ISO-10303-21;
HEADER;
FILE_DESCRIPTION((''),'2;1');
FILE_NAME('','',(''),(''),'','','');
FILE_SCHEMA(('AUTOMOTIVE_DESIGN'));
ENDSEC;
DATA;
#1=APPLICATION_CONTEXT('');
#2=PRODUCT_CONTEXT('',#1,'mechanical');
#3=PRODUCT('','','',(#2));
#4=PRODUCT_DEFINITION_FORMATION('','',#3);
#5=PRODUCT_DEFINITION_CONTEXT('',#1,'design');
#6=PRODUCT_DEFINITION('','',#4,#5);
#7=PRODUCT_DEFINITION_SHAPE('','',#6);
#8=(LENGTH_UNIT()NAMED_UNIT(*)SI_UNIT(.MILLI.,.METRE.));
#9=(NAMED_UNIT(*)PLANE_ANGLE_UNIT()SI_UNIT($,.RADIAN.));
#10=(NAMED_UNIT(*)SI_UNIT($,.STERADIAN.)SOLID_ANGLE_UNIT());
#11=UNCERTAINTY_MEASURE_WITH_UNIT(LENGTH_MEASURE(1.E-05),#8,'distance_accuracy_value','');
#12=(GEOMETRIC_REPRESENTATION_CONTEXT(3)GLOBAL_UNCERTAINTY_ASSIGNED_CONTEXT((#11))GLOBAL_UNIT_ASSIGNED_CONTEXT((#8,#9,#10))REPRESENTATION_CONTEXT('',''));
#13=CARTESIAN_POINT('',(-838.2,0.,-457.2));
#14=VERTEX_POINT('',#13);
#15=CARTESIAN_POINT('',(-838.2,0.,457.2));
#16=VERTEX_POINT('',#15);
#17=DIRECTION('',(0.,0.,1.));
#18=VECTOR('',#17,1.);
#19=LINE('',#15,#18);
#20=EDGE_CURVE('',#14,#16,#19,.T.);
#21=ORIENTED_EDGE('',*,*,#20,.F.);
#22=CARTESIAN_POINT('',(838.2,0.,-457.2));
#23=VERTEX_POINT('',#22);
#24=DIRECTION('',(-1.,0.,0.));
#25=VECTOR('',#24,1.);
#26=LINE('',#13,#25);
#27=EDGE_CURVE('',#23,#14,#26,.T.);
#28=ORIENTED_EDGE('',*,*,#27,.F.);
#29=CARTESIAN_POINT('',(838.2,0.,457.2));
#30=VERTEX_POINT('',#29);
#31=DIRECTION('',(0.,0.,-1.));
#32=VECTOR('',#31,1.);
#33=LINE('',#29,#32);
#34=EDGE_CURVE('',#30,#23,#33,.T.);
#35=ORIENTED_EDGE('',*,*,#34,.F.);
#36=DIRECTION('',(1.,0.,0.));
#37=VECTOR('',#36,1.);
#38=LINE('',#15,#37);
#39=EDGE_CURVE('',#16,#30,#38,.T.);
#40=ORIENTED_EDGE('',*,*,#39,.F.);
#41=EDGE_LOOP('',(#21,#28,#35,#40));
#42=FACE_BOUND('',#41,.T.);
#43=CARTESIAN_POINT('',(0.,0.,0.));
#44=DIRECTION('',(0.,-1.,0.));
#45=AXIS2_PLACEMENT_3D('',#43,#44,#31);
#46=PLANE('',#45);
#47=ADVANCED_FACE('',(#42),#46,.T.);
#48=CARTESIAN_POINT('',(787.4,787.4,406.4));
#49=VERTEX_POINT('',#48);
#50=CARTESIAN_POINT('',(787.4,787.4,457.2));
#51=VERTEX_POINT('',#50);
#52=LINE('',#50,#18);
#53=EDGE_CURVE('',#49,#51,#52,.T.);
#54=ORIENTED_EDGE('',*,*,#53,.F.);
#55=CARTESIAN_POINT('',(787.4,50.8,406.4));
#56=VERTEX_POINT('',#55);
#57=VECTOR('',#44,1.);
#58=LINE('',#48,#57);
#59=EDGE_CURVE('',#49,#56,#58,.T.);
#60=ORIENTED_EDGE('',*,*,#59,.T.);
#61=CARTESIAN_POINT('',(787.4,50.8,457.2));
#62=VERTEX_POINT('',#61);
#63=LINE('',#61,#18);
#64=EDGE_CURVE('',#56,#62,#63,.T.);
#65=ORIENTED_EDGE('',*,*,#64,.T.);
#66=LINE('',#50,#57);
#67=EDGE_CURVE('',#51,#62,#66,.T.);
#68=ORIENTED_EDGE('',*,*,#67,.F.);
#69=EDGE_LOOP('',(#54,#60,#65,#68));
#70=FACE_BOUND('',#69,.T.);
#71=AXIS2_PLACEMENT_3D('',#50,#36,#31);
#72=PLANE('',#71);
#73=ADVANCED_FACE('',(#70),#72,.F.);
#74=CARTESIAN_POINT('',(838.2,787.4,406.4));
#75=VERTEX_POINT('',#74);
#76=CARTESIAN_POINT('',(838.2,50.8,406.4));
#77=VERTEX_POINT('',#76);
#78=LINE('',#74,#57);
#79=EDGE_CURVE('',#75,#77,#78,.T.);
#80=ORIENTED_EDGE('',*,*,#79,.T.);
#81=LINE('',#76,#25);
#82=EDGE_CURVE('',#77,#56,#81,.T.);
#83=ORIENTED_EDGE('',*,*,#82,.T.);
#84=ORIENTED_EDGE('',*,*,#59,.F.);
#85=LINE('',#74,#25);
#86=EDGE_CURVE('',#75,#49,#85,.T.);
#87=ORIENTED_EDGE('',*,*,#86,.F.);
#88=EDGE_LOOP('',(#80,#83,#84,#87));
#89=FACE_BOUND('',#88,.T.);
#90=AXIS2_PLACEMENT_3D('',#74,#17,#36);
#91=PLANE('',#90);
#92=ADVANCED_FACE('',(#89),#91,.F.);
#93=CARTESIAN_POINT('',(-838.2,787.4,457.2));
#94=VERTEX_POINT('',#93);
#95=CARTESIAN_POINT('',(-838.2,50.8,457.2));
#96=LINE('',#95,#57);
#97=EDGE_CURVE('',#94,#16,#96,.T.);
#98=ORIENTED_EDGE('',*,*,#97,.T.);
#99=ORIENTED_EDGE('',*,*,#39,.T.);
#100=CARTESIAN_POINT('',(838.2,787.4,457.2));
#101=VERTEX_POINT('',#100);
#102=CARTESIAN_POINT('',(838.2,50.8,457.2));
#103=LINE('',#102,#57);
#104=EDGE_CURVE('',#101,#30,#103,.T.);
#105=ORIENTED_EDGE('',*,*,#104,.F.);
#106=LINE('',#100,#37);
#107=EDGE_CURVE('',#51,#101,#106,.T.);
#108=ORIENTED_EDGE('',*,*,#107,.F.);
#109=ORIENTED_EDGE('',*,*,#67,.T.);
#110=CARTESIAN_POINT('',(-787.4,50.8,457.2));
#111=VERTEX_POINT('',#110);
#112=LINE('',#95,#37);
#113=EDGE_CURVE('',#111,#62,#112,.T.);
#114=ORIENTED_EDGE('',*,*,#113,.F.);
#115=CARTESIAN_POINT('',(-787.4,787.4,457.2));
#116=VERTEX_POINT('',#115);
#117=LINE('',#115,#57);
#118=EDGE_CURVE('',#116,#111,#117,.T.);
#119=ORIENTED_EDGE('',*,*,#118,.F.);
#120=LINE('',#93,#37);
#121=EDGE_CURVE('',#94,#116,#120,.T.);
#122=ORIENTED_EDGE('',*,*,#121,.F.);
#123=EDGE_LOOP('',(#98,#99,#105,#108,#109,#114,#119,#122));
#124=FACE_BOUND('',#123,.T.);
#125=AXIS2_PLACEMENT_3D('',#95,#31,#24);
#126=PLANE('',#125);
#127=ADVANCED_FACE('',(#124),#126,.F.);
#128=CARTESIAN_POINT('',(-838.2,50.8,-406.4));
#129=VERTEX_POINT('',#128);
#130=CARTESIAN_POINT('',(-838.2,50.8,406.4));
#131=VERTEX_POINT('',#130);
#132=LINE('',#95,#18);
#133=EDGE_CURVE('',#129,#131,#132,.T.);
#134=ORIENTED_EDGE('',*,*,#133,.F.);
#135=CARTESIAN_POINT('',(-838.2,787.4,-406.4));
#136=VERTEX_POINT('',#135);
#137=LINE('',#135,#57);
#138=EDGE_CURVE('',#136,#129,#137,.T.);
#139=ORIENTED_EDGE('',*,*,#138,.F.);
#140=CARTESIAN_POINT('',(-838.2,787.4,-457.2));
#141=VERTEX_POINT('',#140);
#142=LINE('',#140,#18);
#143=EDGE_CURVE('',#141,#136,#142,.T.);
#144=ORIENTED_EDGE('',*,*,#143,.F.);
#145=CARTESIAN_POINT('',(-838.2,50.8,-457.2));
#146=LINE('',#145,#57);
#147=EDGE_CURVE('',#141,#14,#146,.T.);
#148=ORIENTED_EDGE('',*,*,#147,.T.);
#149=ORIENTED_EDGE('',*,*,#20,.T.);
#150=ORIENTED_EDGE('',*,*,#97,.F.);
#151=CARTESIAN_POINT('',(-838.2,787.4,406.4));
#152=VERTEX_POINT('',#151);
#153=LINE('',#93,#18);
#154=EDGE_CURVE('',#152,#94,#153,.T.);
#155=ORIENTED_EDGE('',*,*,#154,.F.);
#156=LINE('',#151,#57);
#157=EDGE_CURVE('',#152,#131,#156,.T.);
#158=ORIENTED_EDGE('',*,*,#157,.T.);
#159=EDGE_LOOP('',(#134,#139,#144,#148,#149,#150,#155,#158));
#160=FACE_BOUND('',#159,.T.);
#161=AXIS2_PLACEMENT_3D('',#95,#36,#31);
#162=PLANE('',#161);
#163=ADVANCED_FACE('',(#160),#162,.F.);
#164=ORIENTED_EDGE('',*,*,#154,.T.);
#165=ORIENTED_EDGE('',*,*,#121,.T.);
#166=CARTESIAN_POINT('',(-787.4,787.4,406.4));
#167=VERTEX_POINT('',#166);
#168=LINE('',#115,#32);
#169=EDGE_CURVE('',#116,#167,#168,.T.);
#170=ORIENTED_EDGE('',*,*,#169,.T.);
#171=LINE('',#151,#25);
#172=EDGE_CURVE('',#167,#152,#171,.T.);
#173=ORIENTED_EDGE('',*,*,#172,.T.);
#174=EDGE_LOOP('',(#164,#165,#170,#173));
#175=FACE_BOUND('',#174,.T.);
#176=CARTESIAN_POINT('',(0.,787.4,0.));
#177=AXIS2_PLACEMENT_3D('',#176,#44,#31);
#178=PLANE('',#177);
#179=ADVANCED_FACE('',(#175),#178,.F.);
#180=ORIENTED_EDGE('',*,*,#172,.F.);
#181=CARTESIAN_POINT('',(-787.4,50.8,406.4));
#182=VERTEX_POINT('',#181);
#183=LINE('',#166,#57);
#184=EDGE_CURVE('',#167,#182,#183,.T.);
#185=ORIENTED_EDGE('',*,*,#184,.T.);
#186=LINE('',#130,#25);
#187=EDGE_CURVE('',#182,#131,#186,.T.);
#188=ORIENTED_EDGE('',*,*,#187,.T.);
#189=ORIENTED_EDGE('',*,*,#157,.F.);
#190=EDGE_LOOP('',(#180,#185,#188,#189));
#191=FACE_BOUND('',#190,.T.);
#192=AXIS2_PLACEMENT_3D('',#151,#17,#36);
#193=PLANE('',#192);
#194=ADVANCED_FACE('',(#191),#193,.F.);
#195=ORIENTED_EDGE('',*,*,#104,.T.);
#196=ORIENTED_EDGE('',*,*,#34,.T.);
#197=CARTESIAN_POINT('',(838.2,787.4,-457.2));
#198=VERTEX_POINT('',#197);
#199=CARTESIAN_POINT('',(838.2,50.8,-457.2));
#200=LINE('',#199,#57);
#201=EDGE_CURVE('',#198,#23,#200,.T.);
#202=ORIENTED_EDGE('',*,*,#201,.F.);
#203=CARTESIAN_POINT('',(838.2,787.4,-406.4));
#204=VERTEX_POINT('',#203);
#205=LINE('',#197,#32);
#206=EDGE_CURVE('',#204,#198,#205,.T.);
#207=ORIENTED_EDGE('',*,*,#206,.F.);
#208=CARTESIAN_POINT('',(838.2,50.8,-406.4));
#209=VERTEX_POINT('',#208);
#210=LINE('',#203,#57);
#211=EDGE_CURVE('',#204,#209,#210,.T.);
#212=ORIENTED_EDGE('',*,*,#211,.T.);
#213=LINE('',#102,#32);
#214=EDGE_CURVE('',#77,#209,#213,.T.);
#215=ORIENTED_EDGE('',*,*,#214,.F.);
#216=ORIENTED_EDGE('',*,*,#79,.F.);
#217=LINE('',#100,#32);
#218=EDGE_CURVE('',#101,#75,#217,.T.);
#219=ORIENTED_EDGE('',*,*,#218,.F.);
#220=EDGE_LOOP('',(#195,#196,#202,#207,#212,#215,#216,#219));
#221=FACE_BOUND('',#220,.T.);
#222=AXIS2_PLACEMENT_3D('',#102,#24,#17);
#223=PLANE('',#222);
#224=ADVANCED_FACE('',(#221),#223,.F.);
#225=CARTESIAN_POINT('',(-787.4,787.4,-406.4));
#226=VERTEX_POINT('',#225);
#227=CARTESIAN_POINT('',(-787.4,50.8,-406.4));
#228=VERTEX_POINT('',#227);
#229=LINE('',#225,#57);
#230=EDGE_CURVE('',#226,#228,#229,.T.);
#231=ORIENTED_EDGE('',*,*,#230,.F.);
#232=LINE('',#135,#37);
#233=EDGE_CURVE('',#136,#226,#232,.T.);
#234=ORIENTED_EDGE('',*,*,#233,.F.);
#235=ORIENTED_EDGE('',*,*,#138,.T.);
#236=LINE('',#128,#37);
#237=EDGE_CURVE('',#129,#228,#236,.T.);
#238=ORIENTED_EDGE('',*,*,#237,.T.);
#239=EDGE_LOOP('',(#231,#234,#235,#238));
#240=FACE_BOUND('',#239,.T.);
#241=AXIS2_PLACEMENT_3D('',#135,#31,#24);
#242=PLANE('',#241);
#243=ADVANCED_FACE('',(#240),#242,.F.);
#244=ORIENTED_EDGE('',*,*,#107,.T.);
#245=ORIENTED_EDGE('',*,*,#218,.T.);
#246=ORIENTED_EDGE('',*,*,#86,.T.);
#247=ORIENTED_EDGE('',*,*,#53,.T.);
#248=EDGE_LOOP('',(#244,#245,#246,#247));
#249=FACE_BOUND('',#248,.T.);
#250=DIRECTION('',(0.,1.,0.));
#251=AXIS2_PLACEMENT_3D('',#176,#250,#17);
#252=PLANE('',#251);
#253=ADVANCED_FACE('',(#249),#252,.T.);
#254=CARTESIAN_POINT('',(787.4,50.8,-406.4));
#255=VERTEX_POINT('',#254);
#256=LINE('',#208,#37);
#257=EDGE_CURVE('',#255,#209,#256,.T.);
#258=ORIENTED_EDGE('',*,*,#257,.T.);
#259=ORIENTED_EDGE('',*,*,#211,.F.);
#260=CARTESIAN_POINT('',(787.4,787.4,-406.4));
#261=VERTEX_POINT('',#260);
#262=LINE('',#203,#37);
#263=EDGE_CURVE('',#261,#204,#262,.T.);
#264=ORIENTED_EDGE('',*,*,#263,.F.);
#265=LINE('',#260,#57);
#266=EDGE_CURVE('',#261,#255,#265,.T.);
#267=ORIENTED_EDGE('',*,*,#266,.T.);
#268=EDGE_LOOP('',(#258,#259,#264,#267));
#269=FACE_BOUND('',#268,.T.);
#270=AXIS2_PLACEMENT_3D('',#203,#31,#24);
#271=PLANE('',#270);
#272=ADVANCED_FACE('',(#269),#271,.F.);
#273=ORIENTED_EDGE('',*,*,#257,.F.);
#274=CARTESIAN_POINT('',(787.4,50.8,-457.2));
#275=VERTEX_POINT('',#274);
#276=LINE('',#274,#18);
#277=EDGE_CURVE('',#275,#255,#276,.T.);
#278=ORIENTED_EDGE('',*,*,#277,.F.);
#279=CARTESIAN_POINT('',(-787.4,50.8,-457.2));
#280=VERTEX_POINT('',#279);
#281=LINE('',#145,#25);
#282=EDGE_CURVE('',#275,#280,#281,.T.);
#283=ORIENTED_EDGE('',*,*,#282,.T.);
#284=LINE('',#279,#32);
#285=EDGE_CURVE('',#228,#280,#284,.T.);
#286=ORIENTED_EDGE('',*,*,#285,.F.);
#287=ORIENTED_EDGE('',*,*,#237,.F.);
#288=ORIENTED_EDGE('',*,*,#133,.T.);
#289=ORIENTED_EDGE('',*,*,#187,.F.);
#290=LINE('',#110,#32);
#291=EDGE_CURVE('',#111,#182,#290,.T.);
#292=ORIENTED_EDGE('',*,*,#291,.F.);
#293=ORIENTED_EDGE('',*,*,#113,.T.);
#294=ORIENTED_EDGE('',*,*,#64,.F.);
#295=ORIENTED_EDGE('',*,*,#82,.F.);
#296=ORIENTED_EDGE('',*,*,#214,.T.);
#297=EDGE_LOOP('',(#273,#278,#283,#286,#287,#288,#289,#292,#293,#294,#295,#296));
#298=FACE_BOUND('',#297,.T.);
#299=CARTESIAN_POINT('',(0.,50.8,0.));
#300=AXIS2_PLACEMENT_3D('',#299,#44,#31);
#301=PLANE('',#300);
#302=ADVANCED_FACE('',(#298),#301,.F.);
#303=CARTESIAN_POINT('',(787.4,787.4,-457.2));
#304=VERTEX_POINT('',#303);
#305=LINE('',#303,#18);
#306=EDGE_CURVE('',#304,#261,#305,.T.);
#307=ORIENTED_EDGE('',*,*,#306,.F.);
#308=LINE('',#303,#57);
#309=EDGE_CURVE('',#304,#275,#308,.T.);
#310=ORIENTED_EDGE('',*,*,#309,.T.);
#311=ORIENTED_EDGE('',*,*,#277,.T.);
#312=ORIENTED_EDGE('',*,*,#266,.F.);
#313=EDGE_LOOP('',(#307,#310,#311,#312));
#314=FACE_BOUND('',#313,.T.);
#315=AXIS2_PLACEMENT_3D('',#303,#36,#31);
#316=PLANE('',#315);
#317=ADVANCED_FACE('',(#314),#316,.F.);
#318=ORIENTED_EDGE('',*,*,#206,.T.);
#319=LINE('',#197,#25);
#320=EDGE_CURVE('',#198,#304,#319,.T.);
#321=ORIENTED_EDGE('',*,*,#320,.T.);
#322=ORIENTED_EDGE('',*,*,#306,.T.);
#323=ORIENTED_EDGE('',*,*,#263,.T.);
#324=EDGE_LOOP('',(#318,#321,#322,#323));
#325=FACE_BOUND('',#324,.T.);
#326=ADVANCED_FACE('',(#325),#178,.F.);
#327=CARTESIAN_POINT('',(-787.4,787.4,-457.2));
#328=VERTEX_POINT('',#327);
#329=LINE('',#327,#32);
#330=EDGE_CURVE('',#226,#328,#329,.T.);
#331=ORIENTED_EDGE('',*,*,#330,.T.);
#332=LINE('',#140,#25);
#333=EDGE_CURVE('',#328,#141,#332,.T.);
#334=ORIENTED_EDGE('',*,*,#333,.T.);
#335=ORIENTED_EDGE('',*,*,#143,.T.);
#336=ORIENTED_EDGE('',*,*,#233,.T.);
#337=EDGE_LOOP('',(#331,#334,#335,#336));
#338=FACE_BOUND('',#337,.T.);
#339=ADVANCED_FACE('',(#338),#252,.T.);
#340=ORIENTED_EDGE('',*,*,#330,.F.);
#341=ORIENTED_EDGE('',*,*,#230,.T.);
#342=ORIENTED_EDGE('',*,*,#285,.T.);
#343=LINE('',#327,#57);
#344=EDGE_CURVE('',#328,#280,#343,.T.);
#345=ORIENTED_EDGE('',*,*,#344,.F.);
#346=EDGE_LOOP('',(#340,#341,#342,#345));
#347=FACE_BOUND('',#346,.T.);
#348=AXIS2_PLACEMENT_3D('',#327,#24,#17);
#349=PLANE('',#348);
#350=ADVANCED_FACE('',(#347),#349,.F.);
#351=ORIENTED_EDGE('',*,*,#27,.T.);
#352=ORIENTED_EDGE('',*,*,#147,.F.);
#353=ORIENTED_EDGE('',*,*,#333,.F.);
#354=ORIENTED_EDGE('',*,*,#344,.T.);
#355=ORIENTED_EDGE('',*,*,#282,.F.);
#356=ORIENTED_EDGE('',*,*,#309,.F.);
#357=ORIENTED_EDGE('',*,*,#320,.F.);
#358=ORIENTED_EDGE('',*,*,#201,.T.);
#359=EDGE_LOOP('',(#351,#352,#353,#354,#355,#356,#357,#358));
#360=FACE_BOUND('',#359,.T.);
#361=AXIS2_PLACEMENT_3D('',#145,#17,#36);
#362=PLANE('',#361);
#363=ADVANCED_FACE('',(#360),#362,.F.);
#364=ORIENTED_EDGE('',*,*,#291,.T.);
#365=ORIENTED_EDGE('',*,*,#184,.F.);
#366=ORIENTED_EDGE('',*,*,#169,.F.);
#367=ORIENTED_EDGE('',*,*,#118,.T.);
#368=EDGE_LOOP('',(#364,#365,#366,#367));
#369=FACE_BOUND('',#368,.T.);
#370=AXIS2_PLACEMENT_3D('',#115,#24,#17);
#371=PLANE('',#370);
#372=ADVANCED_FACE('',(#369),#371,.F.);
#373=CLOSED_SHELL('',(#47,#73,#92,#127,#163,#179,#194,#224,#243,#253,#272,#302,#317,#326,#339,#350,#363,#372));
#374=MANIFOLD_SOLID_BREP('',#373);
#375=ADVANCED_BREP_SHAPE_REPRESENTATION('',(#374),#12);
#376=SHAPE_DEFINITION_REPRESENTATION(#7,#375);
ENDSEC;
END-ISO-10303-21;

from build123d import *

# Parameters (mm, degrees)
SKETCH1_W           = 1676.4
SKETCH1_H           = 914.4
BOSS_EXTRUDE1_DEPTH = 50.8
SKETCH2_W           = 50.8
SKETCH2_H           = 50.8
BOSS_EXTRUDE2_DEPTH = 736.6


with BuildPart() as part:
    # Sketch1 → Boss-Extrude1 (new body)
    with BuildSketch(Plane(origin=(0, 0, 0), x_dir=(1, 0, 0), z_dir=(0, 1, 0))):
        Rectangle(SKETCH1_W, SKETCH1_H)
    extrude(amount=BOSS_EXTRUDE1_DEPTH)

    # Sketch2 → Boss-Extrude2 (add)
    with BuildSketch(Plane(origin=(0, 50.8, 0), x_dir=(1, 0, 0), z_dir=(0, 1, 0))):
        with Locations((-812.8, 431.8)):
            Rectangle(SKETCH2_W, SKETCH2_H)
        with Locations((812.8, 431.8)):
            Rectangle(SKETCH2_W, SKETCH2_H)
        with Locations((812.8, -431.8)):
            Rectangle(SKETCH2_W, SKETCH2_H)
        with Locations((-812.8, -431.8)):
            Rectangle(SKETCH2_W, SKETCH2_H)
    extrude(amount=BOSS_EXTRUDE2_DEPTH)


solid = part.part
